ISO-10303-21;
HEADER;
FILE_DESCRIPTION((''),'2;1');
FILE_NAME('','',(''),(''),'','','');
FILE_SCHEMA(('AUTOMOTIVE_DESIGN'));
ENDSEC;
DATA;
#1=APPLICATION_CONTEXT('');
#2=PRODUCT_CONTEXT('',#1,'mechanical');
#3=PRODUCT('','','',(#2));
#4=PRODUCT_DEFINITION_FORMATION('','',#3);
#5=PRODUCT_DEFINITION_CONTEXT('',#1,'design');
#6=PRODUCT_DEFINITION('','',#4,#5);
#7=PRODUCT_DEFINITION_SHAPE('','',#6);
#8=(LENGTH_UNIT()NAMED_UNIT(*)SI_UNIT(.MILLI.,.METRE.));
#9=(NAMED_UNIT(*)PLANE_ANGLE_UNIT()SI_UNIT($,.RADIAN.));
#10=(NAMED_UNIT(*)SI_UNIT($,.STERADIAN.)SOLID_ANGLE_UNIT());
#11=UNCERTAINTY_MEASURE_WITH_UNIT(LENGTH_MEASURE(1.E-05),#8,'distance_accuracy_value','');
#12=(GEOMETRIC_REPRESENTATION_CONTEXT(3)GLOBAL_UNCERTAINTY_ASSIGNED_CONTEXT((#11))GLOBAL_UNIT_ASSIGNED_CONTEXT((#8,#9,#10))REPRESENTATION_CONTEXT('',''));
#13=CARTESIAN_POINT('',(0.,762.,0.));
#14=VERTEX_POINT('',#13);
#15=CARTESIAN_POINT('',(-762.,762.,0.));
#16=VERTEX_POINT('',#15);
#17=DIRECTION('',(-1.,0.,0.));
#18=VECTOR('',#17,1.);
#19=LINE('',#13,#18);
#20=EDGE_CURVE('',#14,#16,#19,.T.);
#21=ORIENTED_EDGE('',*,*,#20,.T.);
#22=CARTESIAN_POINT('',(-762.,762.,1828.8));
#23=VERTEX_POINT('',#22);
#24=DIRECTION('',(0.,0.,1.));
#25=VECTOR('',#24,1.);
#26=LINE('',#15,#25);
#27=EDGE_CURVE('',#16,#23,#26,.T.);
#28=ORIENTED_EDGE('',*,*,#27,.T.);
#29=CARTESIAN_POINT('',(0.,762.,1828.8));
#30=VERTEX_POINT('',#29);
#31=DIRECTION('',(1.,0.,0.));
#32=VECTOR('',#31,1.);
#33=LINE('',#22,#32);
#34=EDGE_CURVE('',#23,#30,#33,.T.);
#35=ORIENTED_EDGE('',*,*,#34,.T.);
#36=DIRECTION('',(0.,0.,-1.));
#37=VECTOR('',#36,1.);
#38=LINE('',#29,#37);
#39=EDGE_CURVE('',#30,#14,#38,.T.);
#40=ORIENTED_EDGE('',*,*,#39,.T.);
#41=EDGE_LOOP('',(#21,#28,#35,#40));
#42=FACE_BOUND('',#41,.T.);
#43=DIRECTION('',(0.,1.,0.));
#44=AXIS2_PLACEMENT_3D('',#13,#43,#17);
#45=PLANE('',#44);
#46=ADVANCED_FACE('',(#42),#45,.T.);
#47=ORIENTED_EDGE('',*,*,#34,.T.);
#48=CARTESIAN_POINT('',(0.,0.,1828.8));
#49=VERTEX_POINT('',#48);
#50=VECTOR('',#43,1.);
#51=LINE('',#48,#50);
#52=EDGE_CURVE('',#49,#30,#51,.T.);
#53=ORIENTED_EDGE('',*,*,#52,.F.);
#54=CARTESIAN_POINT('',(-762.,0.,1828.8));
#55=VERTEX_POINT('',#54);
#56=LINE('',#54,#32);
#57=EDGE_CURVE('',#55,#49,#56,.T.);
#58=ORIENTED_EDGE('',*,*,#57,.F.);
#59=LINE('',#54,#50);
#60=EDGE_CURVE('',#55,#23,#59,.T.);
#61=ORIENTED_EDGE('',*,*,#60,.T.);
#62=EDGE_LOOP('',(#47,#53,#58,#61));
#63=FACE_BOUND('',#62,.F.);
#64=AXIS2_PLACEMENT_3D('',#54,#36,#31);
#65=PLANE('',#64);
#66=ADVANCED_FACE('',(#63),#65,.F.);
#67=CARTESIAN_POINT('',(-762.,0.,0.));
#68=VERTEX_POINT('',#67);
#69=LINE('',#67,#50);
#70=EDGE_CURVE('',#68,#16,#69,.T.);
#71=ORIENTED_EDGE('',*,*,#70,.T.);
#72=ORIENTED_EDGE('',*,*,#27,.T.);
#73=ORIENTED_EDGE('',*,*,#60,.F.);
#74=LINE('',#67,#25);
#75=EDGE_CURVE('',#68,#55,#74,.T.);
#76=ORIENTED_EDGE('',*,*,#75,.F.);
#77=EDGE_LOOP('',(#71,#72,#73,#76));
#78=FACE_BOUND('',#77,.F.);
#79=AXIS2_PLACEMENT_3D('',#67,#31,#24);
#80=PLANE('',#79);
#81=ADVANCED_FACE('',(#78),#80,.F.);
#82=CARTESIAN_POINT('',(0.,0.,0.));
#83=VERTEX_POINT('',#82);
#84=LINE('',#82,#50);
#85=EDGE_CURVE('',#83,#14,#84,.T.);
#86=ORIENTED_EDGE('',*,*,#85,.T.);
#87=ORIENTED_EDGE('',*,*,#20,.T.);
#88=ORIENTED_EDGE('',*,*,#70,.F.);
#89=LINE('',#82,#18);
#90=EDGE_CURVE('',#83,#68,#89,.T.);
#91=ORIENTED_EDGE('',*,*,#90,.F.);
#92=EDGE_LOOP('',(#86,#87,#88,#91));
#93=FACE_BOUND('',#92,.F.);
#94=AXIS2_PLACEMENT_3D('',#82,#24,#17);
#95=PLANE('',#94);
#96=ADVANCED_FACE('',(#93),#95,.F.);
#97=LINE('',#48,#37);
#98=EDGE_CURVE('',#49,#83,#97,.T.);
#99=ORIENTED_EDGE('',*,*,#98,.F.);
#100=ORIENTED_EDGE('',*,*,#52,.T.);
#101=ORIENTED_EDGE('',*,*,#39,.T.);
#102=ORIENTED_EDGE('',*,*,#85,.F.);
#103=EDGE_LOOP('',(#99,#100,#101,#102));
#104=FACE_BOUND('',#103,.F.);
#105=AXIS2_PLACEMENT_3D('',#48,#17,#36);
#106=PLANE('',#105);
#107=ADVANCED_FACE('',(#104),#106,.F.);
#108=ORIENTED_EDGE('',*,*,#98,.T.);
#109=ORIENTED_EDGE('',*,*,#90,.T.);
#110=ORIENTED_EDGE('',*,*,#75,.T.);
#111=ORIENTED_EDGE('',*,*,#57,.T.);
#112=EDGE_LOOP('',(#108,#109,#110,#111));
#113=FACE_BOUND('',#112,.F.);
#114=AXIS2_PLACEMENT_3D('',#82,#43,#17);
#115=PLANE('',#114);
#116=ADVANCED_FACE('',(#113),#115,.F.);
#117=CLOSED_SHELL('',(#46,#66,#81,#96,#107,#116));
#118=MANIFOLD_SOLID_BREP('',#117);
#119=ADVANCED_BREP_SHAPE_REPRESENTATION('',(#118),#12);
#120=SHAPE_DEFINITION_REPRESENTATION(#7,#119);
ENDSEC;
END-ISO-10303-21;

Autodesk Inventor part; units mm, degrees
ref_plane "YZ Plane" through (0, 0, 0) normal (1, 0, 0) x (0, 1, 0)
ref_plane "XZ Plane" through (0, 0, 0) normal (0, 1, 0) x (-1, 0, 0)
ref_plane "XY Plane" through (0, 0, 0) normal (0, 0, 1) x (1, 0, 0)
sketch "Sketch1" plane through (0, 0, 0) normal (0, 1, 0) x (-1, 0, 0)
  line L0 (0, 0) -> (762, 0)
  line L1 (762, 0) -> (762, 1828.8)
  line L2 (762, 1828.8) -> (0, 1828.8)
  line L3 (0, 1828.8) -> (0, 0)
  dimension "d0" = 762
  dimension "d1" = 1828.8
extrude "Extrusion1" add sketch "Sketch1" along normal blind 762
properties part number "table"
